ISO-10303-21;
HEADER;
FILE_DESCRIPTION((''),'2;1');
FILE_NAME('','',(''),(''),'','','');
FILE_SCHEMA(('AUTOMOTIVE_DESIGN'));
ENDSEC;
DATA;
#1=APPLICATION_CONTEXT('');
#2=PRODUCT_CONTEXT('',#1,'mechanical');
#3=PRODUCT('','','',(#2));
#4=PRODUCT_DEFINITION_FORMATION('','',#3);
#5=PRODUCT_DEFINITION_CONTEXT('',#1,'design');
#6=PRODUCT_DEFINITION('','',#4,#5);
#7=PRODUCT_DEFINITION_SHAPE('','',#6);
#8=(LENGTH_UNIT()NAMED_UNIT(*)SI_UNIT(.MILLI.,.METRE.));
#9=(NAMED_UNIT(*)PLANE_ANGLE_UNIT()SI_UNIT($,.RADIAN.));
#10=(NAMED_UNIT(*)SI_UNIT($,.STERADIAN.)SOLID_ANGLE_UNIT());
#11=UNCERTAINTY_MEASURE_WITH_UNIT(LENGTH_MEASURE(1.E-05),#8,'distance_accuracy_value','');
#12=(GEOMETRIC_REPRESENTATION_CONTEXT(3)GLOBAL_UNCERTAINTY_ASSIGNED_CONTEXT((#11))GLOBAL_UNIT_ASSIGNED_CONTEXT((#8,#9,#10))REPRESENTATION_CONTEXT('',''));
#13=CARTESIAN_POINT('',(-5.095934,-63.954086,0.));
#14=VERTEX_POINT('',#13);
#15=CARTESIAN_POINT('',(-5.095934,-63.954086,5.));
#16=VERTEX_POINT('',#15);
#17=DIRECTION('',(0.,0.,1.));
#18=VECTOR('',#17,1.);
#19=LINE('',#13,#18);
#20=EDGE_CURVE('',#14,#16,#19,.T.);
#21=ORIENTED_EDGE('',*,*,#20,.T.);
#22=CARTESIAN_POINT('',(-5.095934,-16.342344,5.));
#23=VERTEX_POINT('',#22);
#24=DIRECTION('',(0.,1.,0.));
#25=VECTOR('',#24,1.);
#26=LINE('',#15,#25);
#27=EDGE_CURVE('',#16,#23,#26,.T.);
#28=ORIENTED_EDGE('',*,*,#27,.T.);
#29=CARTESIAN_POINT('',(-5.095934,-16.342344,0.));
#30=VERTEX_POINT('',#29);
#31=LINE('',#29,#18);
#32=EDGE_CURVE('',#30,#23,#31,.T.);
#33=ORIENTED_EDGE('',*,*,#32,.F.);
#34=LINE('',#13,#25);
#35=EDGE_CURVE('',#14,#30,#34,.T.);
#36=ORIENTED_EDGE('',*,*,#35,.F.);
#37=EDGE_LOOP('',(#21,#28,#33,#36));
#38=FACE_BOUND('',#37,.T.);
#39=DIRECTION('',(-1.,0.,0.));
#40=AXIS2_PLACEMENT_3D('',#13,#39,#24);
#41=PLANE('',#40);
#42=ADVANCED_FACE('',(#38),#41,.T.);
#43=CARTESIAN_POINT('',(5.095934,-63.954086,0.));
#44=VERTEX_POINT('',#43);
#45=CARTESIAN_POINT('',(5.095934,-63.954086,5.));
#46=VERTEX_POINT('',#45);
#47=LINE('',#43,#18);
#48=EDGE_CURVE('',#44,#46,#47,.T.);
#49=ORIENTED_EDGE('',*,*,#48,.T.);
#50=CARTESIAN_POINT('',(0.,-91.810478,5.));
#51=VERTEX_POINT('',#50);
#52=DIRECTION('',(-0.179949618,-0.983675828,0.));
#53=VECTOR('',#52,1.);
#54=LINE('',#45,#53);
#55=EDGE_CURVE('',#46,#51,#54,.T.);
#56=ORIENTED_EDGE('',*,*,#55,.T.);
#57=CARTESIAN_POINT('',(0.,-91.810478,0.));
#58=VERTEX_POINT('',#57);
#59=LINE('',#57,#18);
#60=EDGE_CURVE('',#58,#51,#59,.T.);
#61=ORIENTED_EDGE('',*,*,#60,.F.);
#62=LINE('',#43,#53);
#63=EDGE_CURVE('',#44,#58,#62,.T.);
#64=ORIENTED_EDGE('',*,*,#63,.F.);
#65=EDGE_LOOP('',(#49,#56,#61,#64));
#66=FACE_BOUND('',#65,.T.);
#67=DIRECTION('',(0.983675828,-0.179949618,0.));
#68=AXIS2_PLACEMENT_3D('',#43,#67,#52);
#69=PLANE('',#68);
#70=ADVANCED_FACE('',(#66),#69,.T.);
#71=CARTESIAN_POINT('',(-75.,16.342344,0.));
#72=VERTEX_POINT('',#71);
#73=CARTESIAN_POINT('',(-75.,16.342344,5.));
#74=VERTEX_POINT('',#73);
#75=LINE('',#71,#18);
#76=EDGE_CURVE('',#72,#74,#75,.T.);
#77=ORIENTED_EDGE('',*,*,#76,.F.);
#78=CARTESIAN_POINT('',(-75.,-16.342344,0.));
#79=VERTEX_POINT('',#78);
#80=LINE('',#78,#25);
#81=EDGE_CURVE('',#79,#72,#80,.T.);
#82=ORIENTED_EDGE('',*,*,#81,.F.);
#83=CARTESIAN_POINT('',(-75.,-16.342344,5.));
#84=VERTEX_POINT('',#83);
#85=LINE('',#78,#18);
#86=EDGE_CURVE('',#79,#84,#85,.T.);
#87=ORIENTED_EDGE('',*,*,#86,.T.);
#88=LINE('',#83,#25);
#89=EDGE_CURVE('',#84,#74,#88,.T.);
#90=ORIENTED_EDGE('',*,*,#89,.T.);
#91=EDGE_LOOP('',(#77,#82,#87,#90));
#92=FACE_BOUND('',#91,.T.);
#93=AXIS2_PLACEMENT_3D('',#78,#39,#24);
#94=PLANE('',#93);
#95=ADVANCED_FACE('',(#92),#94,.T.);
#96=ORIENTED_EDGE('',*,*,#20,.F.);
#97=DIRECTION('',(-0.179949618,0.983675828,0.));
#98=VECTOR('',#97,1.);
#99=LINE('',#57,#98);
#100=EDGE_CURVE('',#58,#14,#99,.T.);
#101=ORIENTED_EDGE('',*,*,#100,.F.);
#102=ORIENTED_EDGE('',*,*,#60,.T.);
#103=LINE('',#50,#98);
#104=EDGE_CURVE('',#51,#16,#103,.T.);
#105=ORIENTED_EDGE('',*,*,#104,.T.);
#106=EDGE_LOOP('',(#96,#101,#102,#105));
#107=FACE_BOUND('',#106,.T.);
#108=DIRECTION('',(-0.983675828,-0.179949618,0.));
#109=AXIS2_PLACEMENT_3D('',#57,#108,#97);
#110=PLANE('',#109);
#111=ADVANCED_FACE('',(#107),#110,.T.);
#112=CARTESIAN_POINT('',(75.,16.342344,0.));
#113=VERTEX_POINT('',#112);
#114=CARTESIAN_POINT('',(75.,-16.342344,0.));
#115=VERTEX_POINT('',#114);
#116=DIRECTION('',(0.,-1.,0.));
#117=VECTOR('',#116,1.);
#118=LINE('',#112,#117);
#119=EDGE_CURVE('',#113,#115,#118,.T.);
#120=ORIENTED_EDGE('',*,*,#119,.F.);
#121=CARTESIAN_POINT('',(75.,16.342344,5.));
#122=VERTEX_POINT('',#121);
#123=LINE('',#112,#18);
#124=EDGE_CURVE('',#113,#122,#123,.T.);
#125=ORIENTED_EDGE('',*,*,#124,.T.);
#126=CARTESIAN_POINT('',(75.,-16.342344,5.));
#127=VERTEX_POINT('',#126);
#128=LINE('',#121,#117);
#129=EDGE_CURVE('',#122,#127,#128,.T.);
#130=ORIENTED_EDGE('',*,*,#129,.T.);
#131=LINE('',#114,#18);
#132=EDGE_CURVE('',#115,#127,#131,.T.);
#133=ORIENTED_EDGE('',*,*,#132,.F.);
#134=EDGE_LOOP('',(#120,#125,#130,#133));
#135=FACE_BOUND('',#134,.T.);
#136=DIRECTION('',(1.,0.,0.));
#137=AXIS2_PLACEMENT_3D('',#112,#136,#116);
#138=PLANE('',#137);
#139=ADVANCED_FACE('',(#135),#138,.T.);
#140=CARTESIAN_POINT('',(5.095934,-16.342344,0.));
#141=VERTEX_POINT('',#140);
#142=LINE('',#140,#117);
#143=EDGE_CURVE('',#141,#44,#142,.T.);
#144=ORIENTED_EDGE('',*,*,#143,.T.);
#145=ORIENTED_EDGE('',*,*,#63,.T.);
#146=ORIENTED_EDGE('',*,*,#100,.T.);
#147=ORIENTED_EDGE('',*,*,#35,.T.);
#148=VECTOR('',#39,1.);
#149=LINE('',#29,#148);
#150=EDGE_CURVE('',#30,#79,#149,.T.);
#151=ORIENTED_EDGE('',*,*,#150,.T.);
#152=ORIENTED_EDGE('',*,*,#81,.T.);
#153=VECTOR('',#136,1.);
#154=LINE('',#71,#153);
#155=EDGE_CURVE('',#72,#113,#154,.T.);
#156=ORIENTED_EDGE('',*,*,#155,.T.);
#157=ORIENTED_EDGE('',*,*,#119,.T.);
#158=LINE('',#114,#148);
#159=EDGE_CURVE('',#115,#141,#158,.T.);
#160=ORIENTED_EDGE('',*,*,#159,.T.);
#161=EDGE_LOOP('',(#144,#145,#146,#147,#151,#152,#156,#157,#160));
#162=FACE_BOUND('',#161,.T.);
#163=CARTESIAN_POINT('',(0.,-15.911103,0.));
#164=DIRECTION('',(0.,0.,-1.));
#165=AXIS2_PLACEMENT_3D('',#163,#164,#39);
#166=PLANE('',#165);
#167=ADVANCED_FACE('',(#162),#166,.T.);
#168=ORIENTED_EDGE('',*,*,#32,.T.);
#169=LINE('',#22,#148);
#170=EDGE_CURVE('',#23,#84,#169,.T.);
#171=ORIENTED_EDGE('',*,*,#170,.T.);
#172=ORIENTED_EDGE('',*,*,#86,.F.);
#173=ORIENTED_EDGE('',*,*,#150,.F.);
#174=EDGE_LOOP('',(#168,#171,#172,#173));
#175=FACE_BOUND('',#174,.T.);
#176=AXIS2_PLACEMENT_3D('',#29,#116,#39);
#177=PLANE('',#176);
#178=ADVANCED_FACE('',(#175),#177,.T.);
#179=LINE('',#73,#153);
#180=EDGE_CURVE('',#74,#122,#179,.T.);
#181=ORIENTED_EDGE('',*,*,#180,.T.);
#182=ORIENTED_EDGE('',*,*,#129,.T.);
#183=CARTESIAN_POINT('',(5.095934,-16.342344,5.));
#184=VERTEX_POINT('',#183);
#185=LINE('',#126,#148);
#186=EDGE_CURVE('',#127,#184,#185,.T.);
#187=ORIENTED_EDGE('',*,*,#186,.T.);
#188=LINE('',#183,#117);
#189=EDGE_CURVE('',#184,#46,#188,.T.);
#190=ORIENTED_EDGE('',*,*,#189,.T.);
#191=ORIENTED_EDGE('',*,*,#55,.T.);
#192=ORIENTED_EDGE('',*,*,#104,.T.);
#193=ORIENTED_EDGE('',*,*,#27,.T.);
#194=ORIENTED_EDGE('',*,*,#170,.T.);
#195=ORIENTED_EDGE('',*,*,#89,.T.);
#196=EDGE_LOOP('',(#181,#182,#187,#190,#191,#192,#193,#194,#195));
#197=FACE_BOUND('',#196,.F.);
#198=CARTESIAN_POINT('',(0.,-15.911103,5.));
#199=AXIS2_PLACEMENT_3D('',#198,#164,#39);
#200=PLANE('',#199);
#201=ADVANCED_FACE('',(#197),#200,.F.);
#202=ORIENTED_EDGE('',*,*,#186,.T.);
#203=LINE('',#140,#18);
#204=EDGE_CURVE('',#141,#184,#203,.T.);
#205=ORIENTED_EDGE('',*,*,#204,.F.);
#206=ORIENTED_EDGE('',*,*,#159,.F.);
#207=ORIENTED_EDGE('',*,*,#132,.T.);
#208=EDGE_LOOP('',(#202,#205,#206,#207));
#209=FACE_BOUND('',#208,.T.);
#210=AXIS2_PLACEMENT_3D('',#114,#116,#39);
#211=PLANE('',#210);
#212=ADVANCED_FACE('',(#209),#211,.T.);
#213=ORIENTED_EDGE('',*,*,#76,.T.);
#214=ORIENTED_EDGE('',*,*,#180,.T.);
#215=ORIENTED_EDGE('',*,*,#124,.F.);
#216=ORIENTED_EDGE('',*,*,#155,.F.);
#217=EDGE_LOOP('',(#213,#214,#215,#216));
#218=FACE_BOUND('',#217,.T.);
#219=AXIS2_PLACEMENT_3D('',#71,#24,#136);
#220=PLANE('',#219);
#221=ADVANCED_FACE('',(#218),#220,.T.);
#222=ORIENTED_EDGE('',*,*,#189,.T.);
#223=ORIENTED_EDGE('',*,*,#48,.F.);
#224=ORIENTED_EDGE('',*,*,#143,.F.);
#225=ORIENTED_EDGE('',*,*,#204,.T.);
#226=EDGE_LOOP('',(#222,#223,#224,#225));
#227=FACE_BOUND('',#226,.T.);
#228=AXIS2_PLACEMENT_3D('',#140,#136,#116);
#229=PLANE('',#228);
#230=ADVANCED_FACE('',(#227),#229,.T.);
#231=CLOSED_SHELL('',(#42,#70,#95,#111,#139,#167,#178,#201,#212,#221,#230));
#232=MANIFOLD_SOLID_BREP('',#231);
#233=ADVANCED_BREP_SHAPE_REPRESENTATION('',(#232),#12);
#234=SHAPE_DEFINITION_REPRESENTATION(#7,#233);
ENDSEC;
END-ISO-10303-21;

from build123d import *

# Parameters (mm, degrees)
PAD_DEPTH = 5


with BuildPart() as part:
    # Sketch → Pad (new body)
    with BuildSketch(Plane.XY):
        Polygon((-75, 16.342344), (75, 16.342344), (75, -16.342344), (5.095934, -16.342344), (5.095934, -63.954086), (0, -91.810478), (-5.095934, -63.954086), (-5.095934, -16.342344), (-75, -16.342344), align=None)
    extrude(amount=PAD_DEPTH)


solid = part.part
